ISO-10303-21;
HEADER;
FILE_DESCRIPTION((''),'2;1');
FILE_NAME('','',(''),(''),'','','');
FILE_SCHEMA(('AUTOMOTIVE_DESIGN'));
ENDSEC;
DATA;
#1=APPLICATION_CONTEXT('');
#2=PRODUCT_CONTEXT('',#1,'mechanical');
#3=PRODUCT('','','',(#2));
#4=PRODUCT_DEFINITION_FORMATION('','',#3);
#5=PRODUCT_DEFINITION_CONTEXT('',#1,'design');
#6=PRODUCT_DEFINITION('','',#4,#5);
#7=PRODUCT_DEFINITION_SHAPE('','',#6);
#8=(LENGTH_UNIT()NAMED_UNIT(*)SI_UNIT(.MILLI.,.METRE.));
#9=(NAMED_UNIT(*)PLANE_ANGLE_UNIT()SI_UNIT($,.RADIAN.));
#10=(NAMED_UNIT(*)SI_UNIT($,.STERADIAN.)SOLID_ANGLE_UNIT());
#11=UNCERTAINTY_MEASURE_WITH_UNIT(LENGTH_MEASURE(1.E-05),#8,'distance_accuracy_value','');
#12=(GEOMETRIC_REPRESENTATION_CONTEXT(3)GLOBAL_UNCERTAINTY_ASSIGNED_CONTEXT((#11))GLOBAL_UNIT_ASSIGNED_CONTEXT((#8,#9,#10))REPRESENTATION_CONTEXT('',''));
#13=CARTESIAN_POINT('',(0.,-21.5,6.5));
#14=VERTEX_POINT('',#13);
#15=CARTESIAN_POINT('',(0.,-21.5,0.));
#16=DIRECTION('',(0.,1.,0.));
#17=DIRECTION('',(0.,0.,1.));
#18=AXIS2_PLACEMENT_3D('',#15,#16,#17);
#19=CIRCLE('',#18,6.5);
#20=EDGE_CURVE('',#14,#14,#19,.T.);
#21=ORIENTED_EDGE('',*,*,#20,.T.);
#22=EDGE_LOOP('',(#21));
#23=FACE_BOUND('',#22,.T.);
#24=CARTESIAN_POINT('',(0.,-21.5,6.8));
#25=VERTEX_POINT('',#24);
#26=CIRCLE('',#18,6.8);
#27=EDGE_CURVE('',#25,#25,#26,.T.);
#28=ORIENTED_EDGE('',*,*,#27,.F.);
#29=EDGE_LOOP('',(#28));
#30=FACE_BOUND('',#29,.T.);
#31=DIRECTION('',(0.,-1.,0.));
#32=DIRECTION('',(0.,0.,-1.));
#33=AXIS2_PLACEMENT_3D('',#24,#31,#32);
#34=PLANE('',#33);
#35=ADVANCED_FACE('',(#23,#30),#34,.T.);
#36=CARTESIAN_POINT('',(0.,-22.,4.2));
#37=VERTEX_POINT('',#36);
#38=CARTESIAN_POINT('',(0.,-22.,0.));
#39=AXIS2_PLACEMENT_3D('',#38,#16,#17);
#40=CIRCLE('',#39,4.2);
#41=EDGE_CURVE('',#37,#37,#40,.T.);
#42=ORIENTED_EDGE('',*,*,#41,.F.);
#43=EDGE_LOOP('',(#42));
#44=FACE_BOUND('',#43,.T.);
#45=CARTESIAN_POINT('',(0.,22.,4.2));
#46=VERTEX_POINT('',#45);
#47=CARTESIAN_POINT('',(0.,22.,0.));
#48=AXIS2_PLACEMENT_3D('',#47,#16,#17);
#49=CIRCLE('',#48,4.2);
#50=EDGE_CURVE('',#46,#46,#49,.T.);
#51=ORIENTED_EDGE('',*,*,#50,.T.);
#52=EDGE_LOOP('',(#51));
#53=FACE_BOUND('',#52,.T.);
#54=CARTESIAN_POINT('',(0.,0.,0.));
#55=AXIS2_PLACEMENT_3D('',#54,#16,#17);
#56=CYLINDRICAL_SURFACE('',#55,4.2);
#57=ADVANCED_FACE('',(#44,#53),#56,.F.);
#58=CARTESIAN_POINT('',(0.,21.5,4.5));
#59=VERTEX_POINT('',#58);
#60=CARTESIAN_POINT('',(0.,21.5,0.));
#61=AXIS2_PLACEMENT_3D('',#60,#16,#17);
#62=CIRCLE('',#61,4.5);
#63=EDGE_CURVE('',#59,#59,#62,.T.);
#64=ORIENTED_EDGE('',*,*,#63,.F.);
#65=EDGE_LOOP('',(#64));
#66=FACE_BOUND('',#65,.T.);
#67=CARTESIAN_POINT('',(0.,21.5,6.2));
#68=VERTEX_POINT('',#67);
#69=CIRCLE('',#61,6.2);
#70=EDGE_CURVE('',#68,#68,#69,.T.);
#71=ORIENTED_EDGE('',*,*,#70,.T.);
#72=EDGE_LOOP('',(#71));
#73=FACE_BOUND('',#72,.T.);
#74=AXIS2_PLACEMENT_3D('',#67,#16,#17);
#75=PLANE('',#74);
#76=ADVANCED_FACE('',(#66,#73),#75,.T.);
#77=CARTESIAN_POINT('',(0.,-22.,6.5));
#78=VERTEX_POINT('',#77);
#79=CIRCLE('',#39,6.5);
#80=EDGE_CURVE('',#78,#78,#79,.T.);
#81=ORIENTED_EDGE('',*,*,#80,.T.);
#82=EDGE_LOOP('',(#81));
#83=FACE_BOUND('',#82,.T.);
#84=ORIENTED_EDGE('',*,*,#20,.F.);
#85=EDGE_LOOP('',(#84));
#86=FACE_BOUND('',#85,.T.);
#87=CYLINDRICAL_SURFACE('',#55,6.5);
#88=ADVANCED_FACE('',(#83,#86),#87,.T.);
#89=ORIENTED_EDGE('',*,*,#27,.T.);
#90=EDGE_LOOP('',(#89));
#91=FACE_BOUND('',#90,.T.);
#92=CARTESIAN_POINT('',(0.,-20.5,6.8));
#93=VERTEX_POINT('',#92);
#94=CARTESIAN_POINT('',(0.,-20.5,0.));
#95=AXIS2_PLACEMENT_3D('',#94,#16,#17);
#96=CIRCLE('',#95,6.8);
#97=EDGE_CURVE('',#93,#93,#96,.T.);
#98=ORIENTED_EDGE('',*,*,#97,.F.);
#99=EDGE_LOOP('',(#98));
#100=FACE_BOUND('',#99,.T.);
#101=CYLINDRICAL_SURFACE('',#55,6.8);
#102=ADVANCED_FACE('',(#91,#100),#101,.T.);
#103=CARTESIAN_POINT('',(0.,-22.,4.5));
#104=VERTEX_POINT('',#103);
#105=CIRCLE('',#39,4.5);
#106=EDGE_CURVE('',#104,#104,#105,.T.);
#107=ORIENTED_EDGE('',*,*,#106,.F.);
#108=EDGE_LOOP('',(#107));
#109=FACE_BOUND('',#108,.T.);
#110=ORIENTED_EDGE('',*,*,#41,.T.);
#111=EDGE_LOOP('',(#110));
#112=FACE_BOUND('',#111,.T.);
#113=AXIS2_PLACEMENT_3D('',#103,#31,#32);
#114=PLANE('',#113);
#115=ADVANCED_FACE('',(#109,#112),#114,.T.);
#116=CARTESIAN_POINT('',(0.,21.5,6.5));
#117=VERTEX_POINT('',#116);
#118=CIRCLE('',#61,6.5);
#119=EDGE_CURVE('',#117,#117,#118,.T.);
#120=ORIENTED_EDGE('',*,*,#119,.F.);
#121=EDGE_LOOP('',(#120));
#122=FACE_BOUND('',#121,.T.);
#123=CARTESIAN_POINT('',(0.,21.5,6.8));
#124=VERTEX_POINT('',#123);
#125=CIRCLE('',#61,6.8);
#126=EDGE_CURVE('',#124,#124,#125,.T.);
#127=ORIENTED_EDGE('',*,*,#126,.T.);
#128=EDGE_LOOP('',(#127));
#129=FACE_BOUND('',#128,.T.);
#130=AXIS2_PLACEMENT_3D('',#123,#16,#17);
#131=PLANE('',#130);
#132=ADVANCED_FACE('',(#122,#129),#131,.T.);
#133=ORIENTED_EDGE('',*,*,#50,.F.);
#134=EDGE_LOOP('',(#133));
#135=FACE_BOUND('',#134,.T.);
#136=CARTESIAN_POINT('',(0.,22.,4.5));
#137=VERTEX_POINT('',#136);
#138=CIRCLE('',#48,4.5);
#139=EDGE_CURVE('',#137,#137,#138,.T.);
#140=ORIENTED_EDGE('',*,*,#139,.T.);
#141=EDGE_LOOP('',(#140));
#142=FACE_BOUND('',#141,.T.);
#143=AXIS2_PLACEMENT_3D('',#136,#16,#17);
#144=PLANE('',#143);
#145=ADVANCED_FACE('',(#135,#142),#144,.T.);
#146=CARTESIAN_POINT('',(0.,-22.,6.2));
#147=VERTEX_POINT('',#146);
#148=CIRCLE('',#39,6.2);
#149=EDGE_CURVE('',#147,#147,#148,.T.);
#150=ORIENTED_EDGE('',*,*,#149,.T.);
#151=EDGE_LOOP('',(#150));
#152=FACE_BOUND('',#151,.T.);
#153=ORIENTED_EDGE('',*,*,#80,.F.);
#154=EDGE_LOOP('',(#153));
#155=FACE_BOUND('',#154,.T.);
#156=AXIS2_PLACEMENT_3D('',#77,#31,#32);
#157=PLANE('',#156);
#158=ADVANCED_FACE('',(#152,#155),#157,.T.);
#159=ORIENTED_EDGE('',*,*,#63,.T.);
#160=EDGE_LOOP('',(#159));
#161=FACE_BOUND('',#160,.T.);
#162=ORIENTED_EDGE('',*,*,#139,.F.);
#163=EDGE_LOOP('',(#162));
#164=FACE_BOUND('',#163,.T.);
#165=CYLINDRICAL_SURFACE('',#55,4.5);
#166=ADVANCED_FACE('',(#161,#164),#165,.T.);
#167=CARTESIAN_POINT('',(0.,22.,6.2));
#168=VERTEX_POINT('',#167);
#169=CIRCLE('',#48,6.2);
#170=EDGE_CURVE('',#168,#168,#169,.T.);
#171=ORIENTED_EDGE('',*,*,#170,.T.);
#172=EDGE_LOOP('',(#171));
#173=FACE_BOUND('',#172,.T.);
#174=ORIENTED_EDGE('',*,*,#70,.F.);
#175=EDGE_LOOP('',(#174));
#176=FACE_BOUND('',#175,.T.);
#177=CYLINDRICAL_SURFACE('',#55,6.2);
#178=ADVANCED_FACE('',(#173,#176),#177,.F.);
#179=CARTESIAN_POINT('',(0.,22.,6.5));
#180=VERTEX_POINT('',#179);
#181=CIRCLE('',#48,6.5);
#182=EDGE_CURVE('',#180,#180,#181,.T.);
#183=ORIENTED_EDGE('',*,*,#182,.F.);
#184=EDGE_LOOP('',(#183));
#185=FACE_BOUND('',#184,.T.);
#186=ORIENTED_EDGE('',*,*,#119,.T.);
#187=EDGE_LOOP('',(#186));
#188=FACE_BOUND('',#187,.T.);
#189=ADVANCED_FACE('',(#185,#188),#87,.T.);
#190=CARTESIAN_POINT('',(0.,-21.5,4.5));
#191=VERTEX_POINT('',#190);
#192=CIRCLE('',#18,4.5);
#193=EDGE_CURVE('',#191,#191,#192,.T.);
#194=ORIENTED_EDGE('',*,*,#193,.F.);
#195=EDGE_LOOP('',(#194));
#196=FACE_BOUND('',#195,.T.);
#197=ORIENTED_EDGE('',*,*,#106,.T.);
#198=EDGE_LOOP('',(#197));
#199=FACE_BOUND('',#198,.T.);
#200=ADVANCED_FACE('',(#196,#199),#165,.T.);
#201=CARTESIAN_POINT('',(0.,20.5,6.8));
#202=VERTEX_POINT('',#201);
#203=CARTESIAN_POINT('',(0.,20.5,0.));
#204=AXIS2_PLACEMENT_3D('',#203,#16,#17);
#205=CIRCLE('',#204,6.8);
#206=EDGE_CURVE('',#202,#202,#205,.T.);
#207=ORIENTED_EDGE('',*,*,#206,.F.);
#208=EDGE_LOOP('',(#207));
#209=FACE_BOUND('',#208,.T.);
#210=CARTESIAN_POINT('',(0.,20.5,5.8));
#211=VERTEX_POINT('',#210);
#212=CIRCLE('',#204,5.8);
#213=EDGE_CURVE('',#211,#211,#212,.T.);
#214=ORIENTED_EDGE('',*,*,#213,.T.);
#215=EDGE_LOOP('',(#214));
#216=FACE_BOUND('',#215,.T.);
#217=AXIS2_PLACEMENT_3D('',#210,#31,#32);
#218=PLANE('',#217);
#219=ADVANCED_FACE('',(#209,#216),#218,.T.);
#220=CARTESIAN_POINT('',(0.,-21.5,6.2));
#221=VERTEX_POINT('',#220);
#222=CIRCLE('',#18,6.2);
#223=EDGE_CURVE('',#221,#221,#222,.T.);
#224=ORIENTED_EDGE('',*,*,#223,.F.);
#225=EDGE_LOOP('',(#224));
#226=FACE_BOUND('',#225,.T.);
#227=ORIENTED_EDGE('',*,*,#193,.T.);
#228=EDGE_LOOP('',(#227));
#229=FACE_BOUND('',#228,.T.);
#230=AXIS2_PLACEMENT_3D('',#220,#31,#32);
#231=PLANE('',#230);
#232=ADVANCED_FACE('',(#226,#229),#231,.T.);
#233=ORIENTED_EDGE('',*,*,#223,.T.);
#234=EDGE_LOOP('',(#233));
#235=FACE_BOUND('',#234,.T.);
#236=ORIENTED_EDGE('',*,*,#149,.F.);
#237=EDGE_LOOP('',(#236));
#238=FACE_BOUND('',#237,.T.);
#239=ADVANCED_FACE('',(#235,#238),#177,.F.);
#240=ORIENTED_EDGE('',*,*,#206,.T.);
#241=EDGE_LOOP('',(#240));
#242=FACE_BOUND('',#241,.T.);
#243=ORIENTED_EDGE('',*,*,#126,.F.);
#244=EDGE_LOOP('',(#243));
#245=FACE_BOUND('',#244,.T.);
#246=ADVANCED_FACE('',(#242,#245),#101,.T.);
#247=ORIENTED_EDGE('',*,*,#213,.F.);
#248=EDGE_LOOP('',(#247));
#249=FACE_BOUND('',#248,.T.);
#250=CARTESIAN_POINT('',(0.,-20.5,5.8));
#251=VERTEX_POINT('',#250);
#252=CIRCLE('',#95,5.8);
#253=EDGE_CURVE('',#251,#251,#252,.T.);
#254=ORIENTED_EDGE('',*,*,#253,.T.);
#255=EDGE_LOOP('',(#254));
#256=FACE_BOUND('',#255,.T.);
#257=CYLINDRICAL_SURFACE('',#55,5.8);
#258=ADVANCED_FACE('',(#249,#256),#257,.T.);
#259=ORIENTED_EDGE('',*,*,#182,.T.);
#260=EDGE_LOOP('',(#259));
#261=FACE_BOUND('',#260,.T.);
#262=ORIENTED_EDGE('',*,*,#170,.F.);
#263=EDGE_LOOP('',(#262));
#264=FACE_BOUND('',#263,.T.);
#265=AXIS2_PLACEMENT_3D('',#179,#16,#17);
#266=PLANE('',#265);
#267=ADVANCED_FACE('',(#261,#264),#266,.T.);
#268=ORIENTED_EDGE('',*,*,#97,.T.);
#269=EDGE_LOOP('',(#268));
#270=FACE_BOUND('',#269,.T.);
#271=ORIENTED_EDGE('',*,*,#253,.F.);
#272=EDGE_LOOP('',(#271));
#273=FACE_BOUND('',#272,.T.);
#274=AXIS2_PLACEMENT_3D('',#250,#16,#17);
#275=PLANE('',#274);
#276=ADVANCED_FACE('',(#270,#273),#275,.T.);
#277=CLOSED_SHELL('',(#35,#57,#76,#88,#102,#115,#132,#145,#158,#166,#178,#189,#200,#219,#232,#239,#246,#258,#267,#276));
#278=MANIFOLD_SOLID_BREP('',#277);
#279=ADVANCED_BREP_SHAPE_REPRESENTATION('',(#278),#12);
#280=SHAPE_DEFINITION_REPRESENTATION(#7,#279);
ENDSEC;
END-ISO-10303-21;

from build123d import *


with BuildPart() as part:
    # Sketch1 → Revolve1 (revolve)
    with BuildSketch(Plane.YZ):
        Polygon((22, 4.5), (22, 4.2), (-22, 4.2), (-22, 4.5), (-21.5, 4.5), (-21.5, 6.2), (-22, 6.2), (-22, 6.5), (-21.5, 6.5), (-21.5, 6.8), (-20.5, 6.8), (-20.5, 5.8), (20.5, 5.8), (20.5, 6.8), (21.5, 6.8), (21.5, 6.5), (22, 6.5), (22, 6.2), (21.5, 6.2), (21.5, 4.5), align=None)
    revolve(axis=Axis((0, 0, 0), (0, 1, 0)))


solid = part.part
